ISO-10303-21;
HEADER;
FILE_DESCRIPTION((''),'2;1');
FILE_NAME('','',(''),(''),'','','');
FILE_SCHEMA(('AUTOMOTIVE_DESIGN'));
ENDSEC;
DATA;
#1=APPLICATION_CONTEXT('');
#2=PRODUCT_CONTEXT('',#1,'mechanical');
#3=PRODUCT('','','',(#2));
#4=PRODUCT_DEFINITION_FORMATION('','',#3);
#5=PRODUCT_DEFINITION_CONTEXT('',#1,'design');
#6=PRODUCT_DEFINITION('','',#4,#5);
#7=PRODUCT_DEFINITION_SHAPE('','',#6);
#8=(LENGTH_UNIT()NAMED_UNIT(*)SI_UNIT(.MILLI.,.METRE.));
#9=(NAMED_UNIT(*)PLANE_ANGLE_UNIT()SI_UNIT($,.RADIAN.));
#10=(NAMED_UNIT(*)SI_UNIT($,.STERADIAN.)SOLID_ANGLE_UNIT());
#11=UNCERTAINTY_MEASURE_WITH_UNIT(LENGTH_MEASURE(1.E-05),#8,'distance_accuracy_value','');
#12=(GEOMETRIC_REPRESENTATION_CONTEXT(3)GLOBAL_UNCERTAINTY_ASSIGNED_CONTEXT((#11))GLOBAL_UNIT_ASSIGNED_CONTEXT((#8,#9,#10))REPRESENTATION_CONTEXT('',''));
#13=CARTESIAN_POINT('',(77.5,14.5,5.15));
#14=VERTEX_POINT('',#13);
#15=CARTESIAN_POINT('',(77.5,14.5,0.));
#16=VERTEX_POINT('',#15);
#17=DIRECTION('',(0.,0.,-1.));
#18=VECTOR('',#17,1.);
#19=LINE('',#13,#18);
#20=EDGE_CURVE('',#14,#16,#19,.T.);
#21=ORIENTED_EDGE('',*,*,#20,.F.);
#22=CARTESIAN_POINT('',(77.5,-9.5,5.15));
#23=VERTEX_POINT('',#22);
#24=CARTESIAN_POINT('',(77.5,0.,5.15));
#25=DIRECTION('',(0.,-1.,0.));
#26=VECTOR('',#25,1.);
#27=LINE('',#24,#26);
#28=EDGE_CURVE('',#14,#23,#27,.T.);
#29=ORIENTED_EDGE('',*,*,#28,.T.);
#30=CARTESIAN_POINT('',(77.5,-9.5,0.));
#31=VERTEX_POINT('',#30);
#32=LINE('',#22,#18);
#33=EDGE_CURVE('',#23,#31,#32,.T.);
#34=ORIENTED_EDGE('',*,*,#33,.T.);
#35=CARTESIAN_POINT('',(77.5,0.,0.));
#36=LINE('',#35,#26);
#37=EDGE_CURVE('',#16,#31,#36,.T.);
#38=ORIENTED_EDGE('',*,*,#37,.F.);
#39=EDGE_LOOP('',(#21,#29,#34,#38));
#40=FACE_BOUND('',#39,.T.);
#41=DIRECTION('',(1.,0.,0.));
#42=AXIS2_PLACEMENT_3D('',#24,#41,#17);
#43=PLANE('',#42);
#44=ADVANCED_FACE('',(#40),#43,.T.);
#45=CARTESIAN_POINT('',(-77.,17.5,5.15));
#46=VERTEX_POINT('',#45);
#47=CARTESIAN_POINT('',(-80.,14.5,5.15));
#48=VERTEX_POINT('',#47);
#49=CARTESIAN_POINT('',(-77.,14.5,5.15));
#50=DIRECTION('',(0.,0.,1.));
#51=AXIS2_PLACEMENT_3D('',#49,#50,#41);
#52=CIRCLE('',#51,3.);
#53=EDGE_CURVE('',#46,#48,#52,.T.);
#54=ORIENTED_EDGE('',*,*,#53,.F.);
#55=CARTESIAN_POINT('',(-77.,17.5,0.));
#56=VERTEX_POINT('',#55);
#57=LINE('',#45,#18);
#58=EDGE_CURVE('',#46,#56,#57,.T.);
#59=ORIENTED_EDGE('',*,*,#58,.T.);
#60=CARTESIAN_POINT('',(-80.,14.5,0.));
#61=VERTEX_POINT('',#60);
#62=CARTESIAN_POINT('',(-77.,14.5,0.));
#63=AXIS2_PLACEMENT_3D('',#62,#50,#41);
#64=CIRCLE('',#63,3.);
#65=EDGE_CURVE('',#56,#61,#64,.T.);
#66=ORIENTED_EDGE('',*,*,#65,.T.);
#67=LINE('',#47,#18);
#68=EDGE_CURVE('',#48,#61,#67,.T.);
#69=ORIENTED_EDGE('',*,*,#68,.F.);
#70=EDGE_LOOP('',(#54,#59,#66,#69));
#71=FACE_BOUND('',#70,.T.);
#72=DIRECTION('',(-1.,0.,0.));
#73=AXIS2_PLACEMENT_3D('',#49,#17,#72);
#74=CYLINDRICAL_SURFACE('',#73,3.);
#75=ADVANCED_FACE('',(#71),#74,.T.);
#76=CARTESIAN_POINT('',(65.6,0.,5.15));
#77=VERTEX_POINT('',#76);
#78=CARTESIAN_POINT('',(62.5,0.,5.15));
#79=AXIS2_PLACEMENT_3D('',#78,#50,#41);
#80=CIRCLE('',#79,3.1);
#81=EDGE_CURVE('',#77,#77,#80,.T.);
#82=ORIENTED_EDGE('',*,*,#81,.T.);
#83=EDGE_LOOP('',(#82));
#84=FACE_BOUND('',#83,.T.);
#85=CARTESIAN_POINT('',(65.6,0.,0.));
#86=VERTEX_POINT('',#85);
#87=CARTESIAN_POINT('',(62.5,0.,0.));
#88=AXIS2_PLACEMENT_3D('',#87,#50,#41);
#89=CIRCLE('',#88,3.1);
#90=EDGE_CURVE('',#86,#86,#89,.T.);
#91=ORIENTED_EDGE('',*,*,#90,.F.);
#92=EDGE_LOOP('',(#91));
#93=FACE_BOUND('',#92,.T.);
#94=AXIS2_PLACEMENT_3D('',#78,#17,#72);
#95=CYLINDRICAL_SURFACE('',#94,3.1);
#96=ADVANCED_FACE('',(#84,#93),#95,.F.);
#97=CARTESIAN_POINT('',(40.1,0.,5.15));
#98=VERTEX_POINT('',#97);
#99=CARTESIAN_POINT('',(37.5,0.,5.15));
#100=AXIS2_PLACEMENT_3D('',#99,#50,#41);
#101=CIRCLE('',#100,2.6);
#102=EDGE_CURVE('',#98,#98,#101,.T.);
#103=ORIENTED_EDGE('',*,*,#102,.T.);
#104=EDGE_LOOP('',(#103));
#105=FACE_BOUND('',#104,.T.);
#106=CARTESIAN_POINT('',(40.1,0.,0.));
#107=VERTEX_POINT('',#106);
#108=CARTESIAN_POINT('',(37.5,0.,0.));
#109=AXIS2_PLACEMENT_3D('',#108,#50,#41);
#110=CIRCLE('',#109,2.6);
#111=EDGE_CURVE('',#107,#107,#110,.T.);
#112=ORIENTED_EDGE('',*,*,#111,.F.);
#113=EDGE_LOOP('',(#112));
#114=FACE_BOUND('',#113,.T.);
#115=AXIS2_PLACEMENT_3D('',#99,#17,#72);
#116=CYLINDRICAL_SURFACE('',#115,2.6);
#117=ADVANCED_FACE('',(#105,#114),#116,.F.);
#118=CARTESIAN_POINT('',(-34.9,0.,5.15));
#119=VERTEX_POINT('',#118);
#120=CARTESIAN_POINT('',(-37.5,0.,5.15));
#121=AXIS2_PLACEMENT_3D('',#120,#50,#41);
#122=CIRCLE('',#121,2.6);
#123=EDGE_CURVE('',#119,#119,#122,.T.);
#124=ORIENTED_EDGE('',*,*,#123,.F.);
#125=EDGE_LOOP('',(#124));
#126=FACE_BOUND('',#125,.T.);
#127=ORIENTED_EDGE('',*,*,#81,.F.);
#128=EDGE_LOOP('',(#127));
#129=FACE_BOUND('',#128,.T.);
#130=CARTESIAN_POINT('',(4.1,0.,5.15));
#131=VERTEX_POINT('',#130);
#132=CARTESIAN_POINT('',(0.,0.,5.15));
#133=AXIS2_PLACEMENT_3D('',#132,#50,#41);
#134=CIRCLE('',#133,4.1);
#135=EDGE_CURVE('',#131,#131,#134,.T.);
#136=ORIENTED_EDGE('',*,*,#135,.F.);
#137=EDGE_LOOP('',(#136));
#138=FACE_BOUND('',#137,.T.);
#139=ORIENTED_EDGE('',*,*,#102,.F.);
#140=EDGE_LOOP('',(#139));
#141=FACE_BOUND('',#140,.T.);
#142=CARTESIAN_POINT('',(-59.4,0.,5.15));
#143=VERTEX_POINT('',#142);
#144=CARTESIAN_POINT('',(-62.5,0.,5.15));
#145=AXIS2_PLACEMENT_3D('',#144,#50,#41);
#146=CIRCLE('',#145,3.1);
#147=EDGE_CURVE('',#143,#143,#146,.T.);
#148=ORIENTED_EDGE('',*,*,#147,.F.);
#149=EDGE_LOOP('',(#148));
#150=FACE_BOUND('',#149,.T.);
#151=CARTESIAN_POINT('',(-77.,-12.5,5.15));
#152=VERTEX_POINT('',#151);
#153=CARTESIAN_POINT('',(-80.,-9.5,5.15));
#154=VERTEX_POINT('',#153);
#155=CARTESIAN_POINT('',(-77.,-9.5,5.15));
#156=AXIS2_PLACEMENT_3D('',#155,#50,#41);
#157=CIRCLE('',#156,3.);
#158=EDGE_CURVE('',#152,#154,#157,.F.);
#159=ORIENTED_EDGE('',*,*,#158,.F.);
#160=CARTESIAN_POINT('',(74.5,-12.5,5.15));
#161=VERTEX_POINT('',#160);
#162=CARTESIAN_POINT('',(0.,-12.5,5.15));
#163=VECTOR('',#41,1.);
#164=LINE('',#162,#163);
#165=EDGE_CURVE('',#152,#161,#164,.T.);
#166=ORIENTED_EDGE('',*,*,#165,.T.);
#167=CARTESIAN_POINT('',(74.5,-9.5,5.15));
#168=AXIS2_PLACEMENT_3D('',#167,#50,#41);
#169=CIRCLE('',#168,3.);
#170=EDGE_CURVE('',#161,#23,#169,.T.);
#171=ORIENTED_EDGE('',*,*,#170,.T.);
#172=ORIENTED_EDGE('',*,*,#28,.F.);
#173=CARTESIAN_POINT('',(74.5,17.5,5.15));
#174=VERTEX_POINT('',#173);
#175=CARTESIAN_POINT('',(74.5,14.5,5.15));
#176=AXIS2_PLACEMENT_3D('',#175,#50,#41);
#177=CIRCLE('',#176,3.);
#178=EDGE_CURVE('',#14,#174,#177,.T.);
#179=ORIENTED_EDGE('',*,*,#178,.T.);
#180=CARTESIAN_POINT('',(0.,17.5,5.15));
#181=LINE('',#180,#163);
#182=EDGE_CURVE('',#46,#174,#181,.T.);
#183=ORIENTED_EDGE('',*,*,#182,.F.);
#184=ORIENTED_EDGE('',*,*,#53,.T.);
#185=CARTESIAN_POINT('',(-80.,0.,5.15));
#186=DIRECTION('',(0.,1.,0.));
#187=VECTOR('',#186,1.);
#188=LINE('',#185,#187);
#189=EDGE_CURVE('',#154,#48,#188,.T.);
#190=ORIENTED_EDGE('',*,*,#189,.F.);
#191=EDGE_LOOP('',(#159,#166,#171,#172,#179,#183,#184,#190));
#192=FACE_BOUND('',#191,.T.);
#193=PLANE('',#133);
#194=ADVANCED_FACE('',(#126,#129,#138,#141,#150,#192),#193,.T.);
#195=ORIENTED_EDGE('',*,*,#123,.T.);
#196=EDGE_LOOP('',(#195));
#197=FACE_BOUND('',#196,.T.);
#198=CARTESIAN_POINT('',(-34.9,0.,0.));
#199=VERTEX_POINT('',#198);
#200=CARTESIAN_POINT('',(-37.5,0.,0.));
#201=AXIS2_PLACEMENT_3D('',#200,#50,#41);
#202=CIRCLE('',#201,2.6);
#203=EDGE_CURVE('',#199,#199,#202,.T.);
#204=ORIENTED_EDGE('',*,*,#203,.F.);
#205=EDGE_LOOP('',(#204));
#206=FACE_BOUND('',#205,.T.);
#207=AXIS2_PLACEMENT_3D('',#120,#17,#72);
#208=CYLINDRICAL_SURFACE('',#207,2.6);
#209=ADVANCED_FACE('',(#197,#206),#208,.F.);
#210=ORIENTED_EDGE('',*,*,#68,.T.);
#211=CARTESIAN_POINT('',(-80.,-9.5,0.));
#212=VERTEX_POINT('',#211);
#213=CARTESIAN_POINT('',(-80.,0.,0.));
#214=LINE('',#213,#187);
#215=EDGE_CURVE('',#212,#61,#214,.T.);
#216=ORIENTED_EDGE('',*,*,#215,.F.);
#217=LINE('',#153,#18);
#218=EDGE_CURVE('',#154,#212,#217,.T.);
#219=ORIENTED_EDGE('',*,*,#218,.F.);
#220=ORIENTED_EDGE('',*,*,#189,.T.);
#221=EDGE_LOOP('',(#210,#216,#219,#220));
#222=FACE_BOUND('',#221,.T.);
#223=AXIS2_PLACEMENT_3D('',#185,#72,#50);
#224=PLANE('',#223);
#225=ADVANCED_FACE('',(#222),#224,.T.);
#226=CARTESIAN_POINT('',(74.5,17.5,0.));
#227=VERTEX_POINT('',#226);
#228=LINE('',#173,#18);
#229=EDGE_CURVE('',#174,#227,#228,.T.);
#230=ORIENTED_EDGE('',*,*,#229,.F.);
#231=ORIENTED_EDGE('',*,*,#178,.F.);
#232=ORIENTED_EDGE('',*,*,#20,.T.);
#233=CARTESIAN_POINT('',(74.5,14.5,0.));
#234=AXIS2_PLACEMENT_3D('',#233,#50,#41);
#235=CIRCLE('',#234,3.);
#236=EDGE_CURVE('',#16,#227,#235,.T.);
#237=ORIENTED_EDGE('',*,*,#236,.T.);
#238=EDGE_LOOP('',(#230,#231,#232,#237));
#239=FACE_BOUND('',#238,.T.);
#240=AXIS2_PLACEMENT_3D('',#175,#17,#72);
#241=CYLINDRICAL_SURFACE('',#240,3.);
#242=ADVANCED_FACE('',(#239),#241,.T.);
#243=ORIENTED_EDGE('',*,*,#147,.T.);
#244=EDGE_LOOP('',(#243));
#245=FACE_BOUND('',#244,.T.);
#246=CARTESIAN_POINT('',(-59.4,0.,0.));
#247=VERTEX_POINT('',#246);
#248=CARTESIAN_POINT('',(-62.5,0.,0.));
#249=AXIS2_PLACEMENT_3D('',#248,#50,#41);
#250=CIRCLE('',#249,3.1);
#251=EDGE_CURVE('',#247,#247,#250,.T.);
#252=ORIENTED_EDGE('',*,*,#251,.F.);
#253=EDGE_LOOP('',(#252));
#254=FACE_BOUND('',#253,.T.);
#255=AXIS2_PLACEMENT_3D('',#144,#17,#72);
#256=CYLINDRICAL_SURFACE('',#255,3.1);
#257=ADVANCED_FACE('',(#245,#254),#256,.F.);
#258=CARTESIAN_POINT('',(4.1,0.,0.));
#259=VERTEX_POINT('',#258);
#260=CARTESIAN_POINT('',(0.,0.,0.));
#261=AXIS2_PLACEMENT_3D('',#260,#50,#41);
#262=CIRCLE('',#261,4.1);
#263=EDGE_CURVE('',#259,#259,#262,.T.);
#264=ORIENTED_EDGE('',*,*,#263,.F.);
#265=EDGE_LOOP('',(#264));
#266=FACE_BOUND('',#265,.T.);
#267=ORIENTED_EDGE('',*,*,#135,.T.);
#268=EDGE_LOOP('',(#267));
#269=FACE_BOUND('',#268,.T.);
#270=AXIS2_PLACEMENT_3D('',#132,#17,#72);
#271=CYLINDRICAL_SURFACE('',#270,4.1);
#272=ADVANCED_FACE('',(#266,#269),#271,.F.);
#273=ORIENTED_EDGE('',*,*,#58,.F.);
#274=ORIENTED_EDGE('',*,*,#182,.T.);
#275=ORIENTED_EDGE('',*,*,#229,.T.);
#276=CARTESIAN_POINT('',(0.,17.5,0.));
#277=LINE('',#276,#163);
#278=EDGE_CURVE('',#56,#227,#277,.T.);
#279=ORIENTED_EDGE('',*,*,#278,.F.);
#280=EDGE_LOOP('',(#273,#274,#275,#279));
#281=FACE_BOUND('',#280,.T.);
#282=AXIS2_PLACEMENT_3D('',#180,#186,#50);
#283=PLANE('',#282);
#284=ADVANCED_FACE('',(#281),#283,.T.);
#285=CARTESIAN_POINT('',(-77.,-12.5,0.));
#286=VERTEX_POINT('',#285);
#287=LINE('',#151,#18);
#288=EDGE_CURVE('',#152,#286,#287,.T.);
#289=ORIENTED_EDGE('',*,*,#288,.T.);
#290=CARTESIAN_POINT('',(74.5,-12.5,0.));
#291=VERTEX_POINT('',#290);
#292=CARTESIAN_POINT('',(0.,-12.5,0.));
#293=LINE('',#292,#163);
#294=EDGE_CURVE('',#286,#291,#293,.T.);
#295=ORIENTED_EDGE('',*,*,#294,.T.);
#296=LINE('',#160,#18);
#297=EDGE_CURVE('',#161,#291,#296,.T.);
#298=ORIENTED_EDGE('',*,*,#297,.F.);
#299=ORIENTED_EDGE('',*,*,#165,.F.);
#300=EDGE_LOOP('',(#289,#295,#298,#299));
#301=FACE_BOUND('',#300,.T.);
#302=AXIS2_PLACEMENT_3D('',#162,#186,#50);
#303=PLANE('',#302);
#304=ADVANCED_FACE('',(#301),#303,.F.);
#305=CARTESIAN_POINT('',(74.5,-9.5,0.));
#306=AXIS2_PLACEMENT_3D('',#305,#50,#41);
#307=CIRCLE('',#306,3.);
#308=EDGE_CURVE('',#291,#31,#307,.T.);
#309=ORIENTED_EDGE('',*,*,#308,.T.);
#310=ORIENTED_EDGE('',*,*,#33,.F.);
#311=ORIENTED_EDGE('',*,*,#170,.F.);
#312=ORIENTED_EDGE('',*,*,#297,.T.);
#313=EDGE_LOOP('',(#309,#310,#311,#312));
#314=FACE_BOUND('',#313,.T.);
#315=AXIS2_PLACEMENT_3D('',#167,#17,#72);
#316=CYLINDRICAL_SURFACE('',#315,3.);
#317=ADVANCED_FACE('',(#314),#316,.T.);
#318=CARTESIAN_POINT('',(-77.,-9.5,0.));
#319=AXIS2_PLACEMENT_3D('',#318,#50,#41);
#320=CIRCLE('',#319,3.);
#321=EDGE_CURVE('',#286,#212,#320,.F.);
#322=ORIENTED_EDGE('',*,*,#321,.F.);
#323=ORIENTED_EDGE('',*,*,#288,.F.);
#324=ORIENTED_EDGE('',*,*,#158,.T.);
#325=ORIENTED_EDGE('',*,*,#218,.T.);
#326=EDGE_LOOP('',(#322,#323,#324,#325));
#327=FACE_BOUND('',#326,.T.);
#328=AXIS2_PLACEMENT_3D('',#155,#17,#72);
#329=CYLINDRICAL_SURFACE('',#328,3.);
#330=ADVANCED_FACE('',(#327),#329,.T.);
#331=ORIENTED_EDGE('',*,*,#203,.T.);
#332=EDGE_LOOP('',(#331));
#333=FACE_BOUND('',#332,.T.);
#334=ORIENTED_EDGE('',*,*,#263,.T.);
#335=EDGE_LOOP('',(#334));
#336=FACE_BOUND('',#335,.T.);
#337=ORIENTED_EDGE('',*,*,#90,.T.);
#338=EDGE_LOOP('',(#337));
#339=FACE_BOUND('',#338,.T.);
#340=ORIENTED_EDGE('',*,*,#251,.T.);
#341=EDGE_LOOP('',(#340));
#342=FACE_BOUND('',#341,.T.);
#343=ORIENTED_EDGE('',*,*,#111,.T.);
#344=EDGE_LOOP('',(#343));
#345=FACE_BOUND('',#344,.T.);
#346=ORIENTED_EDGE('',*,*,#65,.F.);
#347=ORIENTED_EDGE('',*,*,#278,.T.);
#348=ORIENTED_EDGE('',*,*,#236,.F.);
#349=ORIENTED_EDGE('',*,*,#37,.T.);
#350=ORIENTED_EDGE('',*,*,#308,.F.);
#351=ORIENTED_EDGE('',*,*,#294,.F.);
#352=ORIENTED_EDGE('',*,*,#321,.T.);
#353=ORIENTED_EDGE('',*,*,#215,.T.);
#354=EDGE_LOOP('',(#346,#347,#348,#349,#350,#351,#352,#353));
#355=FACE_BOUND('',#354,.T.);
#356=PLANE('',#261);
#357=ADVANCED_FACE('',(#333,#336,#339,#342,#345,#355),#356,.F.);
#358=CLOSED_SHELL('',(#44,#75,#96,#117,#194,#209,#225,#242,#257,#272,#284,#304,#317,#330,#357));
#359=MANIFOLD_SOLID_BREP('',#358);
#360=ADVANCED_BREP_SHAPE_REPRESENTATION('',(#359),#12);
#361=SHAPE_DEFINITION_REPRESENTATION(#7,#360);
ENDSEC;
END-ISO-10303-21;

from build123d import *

# Parameters (mm, degrees)
SKETCH1_R           = 2.6
SKETCH1_R_2         = 3.1
SKETCH1_R_3         = 4.1
BOSS_EXTRUDE1_DEPTH = 5.15


with BuildPart() as part:
    # Sketch1 → Boss-Extrude1 (new body)
    with BuildSketch(Plane.XY):
        with BuildLine():
            Line((-77, 17.5), (74.5, 17.5))
            ThreePointArc((74.5, 17.5), (76.621320344, 16.621320344), (77.5, 14.5))
            Line((77.5, 14.5), (77.5, -9.5))
            ThreePointArc((77.5, -9.5), (76.621320344, -11.621320344), (74.5, -12.5))
            Line((74.5, -12.5), (-77, -12.5))
            ThreePointArc((-77, -12.5), (-79.121320344, -11.621320344), (-80, -9.5))
            Line((-80, -9.5), (-80, 14.5))
            ThreePointArc((-80, 14.5), (-79.121320344, 16.621320344), (-77, 17.5))
        make_face()
        with Locations((-37.5, 0)):
            Circle(SKETCH1_R, mode=Mode.SUBTRACT)
        with Locations((37.5, 0)):
            Circle(SKETCH1_R, mode=Mode.SUBTRACT)
        with Locations((-62.5, 0)):
            Circle(SKETCH1_R_2, mode=Mode.SUBTRACT)
        with Locations((62.5, 0)):
            Circle(SKETCH1_R_2, mode=Mode.SUBTRACT)
        Circle(SKETCH1_R_3, mode=Mode.SUBTRACT)
    extrude(amount=BOSS_EXTRUDE1_DEPTH)


solid = part.part
